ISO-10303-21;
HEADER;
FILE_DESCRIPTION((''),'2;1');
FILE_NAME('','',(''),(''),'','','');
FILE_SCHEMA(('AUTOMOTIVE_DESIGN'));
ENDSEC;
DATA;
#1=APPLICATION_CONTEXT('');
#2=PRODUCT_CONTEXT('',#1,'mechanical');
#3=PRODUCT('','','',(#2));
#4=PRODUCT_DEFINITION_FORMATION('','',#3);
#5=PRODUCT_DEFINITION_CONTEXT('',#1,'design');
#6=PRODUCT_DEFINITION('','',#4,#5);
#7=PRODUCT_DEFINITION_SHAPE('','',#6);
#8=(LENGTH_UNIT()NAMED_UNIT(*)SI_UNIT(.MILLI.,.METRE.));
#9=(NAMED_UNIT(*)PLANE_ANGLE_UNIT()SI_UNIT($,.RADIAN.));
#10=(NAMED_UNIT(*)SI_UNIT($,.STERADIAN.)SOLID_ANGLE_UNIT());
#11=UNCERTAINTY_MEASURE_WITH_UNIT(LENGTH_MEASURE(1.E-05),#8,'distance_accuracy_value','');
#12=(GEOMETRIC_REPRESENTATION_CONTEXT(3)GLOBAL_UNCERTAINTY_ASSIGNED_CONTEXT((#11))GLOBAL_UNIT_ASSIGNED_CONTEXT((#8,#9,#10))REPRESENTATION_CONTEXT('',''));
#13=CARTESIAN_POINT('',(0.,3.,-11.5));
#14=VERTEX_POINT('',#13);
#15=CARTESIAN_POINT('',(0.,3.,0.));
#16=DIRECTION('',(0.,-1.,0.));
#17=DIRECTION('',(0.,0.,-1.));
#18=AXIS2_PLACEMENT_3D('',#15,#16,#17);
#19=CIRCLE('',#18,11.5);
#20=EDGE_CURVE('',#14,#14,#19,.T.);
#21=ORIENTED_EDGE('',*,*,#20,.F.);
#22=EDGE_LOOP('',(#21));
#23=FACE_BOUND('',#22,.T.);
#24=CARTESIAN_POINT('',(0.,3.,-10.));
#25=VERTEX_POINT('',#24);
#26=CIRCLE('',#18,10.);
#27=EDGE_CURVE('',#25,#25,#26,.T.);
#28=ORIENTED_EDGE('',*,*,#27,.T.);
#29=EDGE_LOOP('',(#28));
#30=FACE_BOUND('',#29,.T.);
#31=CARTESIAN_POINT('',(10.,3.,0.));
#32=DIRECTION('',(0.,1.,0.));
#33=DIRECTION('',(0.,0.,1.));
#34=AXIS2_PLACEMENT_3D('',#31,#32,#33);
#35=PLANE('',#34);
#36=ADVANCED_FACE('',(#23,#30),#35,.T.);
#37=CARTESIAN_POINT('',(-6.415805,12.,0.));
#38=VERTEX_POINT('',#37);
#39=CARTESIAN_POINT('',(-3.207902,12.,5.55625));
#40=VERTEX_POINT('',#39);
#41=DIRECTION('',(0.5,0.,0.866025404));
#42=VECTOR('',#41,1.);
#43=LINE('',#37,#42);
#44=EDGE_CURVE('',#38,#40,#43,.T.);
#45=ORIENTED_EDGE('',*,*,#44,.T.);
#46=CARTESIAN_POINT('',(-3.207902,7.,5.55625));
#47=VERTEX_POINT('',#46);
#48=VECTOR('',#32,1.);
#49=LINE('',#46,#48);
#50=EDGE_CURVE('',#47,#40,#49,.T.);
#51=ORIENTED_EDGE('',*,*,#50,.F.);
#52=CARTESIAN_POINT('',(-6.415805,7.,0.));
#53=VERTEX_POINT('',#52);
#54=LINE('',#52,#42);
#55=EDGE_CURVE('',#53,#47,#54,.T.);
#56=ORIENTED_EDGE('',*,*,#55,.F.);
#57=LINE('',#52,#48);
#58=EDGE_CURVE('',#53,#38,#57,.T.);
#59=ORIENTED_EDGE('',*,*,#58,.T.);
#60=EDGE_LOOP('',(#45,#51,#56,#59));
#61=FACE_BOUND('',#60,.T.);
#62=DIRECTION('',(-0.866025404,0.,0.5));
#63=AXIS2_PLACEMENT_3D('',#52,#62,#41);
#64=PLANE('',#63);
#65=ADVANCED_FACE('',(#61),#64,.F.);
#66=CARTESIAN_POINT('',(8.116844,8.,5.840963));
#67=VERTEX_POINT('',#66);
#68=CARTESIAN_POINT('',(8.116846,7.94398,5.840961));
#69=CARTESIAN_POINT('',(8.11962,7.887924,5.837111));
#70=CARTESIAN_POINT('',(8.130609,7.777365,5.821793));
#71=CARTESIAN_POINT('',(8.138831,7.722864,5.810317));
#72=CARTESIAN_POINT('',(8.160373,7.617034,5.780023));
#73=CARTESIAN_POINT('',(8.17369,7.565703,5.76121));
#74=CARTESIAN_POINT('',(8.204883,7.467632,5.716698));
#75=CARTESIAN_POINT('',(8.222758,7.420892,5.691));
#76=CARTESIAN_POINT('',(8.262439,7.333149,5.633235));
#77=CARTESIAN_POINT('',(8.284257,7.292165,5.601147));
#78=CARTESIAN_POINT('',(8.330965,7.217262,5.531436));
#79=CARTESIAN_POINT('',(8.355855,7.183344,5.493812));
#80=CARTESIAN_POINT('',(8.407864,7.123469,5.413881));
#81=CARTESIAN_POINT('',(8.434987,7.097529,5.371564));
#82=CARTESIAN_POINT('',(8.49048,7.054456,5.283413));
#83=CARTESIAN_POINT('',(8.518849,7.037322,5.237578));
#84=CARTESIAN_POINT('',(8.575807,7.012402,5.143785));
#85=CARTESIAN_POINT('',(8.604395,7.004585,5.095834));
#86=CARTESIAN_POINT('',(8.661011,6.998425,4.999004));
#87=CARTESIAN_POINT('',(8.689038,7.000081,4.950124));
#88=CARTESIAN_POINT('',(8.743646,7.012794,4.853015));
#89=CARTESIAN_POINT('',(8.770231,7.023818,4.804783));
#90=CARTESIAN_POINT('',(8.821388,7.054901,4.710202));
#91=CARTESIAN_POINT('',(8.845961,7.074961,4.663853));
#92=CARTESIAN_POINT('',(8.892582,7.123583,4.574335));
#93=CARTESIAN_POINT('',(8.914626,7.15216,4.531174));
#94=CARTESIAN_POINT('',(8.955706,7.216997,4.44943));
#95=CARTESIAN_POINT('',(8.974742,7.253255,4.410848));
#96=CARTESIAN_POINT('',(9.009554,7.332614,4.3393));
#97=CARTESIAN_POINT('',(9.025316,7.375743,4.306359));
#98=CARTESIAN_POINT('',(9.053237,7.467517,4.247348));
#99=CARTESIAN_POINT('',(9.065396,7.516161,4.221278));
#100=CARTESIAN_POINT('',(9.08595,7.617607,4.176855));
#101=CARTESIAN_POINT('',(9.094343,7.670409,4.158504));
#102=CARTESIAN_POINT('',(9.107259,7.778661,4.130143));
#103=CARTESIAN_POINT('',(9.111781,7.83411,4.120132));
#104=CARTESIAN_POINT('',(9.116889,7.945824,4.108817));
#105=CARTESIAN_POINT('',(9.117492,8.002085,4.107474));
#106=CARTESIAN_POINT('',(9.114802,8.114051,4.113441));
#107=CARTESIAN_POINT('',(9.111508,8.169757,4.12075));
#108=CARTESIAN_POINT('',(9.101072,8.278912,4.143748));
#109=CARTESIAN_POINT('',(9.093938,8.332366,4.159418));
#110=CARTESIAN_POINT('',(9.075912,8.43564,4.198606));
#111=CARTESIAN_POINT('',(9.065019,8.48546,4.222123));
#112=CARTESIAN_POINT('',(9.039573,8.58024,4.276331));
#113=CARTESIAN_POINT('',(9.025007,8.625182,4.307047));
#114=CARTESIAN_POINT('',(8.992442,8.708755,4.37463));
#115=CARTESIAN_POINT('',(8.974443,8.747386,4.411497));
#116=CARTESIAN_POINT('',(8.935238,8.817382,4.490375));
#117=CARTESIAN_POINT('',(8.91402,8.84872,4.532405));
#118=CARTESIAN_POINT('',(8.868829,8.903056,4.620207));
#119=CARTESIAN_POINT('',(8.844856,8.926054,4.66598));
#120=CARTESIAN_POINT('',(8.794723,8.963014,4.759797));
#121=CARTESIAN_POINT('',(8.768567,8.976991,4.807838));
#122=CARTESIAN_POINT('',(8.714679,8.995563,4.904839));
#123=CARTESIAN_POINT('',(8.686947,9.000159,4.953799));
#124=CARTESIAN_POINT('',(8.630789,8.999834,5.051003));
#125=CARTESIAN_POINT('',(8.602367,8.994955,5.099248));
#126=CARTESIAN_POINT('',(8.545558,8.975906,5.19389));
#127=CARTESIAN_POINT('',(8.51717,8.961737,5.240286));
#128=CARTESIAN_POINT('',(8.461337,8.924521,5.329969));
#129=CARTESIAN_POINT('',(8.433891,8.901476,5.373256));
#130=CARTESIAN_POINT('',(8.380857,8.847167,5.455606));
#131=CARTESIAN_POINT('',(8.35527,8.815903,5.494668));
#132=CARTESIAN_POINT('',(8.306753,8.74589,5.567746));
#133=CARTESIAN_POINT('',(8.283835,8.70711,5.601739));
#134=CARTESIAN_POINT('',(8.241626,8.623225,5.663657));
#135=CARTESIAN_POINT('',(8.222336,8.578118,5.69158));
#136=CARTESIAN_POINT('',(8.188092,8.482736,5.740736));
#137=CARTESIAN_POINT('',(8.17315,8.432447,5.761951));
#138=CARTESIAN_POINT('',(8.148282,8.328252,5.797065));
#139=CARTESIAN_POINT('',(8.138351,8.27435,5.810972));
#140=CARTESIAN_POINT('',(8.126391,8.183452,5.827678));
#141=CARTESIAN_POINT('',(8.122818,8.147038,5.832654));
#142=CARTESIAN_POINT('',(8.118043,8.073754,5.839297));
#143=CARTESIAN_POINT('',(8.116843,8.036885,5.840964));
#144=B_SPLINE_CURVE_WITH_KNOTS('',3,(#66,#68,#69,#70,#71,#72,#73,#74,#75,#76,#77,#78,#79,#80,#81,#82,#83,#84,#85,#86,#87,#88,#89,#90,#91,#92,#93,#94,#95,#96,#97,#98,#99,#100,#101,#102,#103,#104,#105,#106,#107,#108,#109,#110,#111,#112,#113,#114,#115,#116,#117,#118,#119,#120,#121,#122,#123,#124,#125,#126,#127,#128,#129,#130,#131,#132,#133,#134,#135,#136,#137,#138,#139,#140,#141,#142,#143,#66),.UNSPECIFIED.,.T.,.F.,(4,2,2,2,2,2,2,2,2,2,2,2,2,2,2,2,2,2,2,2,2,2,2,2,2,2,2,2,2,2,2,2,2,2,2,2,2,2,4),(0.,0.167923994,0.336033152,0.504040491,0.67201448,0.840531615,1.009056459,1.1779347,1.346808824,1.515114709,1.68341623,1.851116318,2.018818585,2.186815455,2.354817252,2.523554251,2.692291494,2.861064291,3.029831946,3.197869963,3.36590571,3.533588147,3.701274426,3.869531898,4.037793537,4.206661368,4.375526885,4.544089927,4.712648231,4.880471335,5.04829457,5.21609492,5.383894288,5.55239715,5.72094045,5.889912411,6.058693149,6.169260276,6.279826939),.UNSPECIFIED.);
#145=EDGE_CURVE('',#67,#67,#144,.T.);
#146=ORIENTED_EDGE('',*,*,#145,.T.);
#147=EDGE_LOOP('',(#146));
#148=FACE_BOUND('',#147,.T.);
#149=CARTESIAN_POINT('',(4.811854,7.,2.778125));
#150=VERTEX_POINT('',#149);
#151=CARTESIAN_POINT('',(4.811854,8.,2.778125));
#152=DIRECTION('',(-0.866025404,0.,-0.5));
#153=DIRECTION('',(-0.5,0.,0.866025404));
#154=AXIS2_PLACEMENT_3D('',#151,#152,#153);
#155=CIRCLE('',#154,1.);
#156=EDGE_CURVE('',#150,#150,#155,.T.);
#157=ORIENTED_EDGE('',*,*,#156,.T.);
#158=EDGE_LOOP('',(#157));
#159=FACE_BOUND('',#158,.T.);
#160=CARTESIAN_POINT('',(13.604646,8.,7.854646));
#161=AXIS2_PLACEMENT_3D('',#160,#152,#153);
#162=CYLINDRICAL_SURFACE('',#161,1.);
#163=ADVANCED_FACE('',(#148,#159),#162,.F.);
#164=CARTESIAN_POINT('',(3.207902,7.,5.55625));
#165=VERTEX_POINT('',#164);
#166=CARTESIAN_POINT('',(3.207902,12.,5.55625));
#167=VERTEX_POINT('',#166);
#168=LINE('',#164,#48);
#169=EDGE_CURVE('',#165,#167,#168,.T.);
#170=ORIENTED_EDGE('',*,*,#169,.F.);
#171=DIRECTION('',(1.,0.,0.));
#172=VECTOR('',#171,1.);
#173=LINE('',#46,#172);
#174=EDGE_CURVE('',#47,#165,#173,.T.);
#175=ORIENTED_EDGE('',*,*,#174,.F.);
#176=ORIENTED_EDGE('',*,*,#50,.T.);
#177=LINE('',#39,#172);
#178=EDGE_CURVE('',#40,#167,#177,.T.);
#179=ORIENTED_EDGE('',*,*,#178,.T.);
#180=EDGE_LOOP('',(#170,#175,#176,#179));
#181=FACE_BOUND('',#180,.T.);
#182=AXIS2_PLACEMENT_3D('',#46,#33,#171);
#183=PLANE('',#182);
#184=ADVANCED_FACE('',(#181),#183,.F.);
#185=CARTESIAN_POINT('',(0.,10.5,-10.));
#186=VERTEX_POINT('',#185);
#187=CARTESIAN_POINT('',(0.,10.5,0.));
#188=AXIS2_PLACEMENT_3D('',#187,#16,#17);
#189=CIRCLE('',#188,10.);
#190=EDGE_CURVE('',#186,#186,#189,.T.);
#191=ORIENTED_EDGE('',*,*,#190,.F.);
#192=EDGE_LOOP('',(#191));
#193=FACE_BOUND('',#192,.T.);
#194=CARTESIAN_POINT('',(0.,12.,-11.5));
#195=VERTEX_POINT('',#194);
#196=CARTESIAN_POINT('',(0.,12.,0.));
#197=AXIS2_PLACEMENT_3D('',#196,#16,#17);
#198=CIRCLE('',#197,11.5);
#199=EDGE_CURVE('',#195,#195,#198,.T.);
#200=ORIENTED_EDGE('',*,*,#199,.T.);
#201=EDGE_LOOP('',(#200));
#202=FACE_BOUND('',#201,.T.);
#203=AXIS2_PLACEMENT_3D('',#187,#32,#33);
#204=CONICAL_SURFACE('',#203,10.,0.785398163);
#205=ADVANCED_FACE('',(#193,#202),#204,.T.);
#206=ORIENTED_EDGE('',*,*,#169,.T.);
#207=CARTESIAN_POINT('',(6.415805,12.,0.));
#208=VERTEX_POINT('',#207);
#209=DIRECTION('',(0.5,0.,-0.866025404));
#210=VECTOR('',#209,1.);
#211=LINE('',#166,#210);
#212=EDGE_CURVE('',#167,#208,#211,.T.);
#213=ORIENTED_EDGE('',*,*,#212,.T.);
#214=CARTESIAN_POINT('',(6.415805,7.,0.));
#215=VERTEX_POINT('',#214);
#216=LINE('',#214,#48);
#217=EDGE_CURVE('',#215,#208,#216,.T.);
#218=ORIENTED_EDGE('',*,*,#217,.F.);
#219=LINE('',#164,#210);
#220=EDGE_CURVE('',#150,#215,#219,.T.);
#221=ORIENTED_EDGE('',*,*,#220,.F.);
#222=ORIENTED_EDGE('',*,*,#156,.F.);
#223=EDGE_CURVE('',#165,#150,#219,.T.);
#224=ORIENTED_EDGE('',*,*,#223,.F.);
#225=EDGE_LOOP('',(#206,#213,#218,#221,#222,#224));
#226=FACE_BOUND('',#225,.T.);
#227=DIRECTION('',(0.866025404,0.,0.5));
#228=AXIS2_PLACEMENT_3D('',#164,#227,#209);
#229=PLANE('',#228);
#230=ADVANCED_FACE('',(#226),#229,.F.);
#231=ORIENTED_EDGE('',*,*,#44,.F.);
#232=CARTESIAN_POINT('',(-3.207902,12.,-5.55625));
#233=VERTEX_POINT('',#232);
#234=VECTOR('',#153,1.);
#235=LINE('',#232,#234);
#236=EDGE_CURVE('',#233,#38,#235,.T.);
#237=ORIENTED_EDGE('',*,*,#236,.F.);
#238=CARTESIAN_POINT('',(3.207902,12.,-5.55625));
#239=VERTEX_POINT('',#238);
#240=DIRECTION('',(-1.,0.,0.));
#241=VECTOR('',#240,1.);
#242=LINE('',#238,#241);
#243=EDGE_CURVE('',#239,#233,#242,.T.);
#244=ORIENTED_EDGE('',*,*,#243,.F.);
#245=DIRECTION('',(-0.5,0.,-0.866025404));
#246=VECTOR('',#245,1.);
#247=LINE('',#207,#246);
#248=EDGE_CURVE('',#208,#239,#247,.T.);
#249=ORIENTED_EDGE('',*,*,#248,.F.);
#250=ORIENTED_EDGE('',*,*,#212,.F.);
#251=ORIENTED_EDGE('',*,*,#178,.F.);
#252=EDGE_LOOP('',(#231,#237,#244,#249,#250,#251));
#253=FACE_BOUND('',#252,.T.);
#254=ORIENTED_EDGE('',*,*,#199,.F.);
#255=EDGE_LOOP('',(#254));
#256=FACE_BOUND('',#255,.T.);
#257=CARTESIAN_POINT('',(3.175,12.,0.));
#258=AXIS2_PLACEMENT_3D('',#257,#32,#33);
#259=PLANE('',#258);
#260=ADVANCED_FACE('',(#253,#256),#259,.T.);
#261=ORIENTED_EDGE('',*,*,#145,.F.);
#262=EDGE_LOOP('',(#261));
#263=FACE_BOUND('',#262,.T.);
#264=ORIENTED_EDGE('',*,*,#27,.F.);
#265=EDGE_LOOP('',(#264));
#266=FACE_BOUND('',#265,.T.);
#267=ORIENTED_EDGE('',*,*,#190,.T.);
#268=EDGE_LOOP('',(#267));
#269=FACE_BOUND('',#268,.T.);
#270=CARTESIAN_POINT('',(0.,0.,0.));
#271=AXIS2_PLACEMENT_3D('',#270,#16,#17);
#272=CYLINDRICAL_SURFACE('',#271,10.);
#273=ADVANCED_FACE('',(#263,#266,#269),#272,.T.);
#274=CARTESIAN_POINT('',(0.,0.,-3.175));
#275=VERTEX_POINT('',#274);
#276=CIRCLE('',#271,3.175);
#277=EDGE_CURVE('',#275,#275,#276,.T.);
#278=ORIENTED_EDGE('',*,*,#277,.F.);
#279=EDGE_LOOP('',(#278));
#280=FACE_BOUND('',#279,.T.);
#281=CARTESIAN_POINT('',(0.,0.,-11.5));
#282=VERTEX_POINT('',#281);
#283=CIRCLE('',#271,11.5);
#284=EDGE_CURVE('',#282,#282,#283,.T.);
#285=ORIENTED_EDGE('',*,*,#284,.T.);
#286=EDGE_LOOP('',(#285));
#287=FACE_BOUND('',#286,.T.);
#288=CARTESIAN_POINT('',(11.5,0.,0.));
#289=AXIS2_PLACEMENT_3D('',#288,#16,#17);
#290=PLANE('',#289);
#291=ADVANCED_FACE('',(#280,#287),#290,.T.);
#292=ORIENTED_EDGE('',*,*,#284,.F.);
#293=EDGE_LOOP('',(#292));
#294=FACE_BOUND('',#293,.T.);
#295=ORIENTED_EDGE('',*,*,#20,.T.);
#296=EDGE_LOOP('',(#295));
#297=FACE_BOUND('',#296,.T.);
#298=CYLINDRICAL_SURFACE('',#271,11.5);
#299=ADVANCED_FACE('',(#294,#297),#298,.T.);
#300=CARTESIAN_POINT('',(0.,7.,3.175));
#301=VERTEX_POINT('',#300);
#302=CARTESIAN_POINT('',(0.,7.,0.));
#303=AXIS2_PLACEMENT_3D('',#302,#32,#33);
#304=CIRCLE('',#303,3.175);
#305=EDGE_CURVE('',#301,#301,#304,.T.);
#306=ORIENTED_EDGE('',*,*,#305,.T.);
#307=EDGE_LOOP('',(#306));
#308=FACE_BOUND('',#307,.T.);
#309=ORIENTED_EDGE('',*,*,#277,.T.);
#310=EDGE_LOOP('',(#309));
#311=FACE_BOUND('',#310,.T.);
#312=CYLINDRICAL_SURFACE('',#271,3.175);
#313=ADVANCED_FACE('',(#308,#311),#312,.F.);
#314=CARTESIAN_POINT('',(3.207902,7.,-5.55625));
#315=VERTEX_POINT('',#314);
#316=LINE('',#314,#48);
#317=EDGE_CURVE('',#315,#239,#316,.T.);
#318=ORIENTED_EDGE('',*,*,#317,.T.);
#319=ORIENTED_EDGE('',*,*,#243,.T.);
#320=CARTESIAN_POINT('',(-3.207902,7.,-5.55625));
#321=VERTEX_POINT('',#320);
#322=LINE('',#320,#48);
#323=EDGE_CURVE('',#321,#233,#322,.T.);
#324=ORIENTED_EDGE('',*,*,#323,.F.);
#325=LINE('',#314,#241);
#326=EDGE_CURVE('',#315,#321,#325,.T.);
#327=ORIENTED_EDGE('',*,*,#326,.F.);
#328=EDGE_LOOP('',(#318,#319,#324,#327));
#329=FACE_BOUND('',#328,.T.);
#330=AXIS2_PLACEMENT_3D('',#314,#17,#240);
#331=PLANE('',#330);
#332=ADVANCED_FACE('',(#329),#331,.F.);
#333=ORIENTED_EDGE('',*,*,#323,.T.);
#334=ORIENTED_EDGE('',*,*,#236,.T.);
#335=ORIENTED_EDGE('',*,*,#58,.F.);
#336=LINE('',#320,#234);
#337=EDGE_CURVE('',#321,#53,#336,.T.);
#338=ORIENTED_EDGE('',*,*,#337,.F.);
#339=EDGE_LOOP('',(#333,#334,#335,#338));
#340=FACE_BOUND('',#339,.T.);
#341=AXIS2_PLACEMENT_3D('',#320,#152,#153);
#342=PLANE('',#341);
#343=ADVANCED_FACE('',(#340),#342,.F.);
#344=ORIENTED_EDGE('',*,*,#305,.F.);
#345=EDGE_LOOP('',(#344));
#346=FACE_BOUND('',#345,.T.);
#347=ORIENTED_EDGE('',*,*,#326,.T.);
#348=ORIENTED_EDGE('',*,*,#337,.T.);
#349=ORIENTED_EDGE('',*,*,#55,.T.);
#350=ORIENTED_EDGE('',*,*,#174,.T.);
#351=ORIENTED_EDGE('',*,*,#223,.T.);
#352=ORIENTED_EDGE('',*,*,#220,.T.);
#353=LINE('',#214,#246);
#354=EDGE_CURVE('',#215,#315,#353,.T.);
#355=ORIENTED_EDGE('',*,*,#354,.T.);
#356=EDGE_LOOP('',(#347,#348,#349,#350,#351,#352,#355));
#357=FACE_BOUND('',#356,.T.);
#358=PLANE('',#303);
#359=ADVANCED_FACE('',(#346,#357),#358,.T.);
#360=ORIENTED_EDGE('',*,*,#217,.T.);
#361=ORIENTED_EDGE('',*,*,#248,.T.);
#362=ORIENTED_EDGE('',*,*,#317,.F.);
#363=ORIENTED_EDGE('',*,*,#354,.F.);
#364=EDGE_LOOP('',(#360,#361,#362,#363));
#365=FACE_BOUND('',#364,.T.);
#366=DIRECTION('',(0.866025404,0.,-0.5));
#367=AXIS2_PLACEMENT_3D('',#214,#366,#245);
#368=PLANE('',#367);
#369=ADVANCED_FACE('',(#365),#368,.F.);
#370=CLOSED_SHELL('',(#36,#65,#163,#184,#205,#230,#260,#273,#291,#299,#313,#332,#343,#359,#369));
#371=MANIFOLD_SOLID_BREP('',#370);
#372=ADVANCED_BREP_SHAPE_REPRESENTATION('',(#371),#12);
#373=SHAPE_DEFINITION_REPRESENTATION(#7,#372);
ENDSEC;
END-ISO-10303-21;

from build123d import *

# Parameters (mm, degrees)
CUT_EXTRUDE1_DEPTH = 5
SKETCH5_R          = 1
CUT_EXTRUDE3_DEPTH = 25.777841371


with BuildPart() as part:
    # Sketch1 → Revolve1 (revolve)
    with BuildSketch(Plane.XY, mode=Mode.PRIVATE) as revolve1_sk:
        Polygon((3.175, 0), (3.175, 12), (11.5, 12), (10, 10.5), (10, 3), (11.5, 3), (11.5, 0), align=None)
    revolve(revolve1_sk.sketch.rotate(Axis((0, 0, 0), (0, 1, 0)), 90), axis=Axis((0, 0, 0), (0, 1, 0)))

    # Sketch2 → Cut-Extrude1 (cut)
    with BuildSketch(Plane(origin=(0, 12, 0), x_dir=(1, 0, 0), z_dir=(0, 1, 0))):
        Polygon((3.207902433, 5.55625), (-3.207902433, 5.55625), (-6.415804866, 0), (-3.207902433, -5.55625), (3.207902433, -5.55625), (6.415804866, 0), align=None)
    extrude(amount=-CUT_EXTRUDE1_DEPTH, mode=Mode.SUBTRACT)

    # Sketch5 → Cut-Extrude3 (cut, through all)
    with BuildSketch(Plane(origin=(4.81185365, 0, 2.778125), x_dir=(-0.5000000000000006, 0, 0.8660254037844384), z_dir=(-0.8660254037844384, 0, -0.5000000000000006))):
        with Locations((0, 8)):
            Circle(SKETCH5_R)
    extrude(amount=-CUT_EXTRUDE3_DEPTH, mode=Mode.SUBTRACT)


solid = part.part
